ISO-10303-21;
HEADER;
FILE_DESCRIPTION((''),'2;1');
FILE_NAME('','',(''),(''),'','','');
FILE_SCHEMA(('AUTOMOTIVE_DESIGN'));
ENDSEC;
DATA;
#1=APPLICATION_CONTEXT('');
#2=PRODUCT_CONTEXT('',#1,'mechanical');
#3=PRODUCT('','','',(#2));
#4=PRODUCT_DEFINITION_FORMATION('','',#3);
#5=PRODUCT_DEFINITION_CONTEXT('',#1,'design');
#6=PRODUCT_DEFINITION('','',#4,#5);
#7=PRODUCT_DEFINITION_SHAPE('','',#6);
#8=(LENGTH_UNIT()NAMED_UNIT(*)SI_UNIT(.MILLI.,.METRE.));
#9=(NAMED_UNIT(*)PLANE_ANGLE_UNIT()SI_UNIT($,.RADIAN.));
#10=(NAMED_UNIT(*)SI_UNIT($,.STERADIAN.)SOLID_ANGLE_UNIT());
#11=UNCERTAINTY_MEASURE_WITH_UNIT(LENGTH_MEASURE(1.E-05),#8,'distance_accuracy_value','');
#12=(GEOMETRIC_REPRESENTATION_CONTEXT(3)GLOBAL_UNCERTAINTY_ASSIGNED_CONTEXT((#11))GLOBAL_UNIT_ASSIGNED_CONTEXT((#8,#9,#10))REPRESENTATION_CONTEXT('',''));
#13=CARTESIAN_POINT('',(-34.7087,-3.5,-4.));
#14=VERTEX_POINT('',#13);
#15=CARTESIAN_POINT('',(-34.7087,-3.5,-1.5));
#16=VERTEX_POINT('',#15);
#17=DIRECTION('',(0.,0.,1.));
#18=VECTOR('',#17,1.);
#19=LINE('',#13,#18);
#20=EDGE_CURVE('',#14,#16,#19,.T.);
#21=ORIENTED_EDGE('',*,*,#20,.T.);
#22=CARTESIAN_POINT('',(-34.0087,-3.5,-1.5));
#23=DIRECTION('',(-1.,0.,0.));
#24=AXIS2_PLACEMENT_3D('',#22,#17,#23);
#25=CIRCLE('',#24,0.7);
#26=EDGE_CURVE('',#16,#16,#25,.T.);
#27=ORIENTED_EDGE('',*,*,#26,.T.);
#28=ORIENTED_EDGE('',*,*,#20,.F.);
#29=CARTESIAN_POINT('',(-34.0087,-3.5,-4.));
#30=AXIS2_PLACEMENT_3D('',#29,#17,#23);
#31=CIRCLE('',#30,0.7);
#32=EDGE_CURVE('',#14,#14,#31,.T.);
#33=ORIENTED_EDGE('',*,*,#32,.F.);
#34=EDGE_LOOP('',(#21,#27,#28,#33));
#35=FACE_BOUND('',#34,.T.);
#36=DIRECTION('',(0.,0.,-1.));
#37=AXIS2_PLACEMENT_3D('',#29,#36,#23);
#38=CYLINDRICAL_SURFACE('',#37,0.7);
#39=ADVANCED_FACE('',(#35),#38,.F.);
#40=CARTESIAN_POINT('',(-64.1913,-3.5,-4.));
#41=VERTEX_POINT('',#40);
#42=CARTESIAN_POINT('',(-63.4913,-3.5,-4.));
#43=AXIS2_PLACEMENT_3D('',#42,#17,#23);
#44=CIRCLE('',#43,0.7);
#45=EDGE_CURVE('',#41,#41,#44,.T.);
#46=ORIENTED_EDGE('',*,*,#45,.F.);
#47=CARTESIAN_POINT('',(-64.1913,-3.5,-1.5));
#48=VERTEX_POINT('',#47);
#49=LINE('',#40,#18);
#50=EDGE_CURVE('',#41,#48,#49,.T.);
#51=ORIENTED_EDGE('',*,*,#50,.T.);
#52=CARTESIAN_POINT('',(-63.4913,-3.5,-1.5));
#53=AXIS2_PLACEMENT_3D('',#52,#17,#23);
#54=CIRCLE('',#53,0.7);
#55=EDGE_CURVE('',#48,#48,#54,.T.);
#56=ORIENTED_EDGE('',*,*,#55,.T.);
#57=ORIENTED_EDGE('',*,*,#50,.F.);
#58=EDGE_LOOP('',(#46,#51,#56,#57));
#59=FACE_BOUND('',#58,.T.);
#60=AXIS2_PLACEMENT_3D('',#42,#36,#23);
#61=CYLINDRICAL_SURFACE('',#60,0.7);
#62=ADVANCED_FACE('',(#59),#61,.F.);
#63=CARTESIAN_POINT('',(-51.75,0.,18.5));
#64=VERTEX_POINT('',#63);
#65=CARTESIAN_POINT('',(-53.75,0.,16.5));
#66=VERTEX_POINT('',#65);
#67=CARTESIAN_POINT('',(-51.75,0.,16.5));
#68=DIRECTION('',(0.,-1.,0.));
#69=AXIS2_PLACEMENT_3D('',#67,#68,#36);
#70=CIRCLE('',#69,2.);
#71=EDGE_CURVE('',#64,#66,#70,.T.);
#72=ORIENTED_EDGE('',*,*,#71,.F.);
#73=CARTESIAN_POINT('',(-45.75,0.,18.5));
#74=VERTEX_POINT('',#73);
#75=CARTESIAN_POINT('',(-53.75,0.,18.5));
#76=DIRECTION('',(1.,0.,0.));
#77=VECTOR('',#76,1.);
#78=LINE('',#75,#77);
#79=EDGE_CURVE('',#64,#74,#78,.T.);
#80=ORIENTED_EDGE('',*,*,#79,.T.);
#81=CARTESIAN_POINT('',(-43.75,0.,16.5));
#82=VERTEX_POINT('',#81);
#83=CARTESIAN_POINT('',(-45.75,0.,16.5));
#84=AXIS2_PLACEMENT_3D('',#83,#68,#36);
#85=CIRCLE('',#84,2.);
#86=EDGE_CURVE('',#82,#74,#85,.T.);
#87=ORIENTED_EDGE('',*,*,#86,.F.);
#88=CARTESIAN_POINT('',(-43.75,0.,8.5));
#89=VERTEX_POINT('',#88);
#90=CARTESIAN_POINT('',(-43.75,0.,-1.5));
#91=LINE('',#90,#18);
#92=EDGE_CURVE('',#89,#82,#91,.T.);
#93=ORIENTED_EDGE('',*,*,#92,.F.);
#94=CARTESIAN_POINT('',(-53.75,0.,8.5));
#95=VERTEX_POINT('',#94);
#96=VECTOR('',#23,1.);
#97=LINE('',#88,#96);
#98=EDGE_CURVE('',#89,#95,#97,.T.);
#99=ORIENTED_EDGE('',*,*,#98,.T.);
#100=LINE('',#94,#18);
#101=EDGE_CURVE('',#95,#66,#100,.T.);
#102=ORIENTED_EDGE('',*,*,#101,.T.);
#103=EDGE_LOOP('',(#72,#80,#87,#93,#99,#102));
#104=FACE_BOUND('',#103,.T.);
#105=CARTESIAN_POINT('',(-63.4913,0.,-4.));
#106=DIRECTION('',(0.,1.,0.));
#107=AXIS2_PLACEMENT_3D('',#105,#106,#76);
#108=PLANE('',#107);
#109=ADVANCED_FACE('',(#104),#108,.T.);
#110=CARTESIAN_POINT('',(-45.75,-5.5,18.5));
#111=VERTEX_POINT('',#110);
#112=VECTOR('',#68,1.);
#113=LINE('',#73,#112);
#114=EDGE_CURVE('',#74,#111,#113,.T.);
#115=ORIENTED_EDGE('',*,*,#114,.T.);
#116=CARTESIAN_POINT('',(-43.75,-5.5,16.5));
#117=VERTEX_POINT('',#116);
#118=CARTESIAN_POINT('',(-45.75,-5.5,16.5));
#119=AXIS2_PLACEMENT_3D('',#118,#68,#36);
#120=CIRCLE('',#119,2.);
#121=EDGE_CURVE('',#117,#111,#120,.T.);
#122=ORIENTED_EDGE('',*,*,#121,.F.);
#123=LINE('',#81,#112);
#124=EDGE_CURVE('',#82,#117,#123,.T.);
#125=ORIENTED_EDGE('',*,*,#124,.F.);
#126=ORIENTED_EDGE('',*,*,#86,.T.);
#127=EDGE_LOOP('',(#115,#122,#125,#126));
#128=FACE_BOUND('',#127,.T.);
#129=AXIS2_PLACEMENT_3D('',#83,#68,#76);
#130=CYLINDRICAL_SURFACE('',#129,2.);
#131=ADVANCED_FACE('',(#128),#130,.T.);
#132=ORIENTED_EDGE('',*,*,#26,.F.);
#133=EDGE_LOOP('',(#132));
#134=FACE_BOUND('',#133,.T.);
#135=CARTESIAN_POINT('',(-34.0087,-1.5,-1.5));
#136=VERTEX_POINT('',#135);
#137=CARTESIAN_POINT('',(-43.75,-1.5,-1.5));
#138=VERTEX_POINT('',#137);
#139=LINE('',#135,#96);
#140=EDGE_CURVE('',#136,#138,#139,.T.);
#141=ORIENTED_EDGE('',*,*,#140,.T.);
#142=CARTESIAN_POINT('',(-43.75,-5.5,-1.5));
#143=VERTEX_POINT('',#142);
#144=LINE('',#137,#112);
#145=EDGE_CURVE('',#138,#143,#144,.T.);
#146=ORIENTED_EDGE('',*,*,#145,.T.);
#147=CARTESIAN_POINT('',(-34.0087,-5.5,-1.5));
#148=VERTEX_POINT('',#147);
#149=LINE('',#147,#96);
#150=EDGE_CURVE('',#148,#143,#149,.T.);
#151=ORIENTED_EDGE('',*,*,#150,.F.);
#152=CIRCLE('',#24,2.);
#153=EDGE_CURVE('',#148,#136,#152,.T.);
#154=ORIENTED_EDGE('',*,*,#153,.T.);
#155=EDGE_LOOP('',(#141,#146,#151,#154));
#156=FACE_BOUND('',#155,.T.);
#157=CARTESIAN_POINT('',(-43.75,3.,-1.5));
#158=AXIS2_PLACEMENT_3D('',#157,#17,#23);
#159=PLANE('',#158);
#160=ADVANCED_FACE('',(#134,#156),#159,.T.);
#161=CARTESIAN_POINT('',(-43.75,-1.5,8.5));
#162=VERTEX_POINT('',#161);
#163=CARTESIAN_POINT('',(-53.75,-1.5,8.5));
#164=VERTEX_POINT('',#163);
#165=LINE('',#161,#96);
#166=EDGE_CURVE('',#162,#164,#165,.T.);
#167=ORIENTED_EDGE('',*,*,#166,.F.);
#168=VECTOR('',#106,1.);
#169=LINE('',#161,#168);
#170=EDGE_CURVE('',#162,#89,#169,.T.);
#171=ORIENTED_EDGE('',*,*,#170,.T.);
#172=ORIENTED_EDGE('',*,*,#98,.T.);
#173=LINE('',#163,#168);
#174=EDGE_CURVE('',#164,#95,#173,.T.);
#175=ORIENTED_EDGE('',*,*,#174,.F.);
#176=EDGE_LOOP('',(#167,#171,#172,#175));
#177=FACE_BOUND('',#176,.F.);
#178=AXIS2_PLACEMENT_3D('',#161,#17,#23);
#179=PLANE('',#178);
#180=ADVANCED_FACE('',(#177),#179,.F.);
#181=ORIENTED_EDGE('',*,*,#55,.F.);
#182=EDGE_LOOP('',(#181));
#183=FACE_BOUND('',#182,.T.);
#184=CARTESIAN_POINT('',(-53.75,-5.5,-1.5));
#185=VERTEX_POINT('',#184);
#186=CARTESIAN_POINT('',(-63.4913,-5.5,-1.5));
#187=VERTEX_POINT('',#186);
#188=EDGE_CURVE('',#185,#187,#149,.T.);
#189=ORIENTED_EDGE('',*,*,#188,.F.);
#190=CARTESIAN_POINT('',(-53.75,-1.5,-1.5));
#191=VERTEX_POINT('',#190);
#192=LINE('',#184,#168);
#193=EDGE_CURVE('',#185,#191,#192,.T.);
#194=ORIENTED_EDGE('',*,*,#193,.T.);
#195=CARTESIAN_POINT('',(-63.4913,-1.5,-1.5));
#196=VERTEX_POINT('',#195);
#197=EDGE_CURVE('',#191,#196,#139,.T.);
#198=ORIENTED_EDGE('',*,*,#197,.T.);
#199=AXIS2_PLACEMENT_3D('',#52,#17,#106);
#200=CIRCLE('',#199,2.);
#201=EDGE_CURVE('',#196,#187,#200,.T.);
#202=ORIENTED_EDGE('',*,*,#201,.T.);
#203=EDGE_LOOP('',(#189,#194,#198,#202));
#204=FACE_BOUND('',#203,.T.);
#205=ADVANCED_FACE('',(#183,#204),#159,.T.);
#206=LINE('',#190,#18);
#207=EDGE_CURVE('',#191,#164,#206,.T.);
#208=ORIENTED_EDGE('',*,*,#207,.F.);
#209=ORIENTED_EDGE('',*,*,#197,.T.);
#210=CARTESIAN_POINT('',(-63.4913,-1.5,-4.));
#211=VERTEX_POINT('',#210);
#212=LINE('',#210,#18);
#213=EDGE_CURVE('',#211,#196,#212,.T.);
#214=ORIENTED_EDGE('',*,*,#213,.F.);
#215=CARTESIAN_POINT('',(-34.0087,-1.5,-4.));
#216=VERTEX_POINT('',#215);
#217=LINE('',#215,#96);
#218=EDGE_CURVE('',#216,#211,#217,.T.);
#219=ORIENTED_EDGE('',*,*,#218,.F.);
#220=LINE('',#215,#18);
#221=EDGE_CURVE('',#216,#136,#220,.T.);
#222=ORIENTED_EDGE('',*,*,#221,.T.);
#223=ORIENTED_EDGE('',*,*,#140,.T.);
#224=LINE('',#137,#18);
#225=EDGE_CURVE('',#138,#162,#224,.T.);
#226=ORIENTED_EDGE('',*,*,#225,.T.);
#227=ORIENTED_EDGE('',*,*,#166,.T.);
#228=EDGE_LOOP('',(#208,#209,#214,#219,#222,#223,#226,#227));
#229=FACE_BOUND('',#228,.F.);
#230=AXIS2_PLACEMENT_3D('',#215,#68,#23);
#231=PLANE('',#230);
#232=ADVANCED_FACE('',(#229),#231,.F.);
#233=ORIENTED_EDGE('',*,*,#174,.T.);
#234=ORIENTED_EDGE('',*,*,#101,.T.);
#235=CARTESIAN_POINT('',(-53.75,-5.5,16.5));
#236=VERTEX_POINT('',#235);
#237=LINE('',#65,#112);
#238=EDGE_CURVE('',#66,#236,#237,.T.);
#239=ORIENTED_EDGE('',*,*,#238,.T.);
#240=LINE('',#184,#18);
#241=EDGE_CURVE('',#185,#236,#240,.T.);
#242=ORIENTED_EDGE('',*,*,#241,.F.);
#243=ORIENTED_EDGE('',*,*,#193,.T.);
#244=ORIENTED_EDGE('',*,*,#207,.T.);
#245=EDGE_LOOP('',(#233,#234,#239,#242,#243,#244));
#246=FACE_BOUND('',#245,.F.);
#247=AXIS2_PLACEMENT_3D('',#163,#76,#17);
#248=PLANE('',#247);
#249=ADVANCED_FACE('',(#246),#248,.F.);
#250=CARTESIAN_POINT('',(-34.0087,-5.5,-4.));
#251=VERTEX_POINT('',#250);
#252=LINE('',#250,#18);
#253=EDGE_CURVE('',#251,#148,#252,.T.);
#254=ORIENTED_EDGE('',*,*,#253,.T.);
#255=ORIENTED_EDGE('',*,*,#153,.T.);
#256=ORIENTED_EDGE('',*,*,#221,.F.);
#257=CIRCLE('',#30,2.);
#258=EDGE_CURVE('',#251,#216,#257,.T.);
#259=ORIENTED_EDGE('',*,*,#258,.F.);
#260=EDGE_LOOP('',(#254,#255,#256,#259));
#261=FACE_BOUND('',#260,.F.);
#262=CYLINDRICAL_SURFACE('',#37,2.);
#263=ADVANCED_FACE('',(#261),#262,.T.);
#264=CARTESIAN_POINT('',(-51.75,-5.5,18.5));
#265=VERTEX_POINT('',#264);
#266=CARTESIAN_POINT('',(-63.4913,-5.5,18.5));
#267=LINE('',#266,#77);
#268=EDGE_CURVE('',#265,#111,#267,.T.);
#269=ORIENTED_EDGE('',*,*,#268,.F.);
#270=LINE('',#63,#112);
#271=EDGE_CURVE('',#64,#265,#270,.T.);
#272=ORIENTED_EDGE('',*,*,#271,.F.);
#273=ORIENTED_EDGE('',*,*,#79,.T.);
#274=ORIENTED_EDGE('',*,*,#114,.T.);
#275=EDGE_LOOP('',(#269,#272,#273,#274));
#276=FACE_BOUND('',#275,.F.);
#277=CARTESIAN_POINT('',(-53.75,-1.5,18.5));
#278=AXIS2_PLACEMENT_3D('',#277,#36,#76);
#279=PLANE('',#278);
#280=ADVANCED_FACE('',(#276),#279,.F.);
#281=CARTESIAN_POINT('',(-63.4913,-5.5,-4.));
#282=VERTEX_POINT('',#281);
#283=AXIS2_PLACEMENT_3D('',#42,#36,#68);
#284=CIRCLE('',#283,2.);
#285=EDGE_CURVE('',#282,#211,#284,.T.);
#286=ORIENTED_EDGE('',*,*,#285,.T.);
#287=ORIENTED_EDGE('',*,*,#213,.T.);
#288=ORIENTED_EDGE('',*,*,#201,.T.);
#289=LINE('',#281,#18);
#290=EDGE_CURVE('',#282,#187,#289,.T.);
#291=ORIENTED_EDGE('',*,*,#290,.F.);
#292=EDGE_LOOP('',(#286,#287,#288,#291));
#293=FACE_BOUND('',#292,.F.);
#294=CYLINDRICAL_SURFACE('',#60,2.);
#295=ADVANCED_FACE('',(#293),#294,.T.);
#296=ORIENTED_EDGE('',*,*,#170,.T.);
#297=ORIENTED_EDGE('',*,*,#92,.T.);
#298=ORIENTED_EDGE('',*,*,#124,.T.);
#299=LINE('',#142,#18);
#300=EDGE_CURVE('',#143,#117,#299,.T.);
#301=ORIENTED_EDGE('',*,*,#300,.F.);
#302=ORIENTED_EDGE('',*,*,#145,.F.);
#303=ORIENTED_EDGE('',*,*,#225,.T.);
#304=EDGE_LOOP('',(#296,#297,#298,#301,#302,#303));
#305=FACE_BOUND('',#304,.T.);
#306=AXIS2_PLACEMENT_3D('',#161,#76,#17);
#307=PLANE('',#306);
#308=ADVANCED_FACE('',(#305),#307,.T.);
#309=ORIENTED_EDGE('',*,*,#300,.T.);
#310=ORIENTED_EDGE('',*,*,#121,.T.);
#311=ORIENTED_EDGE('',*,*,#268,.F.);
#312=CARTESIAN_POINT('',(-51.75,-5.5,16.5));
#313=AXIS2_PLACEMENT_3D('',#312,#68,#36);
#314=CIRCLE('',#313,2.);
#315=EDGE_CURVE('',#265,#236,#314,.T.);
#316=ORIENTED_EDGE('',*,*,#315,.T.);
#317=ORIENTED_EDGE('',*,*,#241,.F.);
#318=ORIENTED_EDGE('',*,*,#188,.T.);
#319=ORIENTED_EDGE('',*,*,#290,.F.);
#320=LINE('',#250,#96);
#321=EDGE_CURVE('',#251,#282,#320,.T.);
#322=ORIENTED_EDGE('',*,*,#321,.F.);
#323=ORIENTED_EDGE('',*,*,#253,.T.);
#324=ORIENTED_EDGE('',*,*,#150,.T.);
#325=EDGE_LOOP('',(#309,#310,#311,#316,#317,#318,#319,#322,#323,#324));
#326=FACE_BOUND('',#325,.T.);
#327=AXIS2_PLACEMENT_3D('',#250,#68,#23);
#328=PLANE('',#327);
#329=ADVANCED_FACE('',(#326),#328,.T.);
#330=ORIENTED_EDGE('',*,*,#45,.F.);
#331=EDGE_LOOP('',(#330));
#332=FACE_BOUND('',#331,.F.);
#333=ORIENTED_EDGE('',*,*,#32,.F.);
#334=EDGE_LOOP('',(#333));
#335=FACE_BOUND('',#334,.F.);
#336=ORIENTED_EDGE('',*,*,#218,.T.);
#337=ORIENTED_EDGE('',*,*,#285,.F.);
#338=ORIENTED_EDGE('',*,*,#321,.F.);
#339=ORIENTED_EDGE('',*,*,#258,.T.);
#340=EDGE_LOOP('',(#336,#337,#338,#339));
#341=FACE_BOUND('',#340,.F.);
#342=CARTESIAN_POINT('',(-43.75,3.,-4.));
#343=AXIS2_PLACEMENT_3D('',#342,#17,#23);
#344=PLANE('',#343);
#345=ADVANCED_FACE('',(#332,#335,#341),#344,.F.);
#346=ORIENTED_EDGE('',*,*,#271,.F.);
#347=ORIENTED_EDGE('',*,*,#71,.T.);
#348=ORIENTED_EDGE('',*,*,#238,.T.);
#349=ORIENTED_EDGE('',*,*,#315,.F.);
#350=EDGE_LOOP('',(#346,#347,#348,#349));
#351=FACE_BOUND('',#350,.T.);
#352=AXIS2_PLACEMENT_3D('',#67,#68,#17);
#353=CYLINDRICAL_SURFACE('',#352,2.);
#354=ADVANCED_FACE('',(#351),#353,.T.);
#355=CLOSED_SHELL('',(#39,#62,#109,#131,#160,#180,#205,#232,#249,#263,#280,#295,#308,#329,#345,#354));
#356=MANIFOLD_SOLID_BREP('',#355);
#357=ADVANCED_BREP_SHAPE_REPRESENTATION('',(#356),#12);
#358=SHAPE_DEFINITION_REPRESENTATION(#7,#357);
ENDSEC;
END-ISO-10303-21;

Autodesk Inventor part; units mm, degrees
ref_plane "YZ Plane" through (0, 0, 0) normal (1, 0, 0) x (0, 1, 0)
ref_plane "XZ Plane" through (0, 0, 0) normal (0, 1, 0) x (-1, 0, 0)
ref_plane "Work Plane1" through (-43.75, 3, -4) normal (0, 0, 1) x (-1, 0, 0)
sketch "Sketch1" plane through (-43.75, 3, -4) normal (0, 0, 1) x (-1, 0, 0)
  circle A0 centre (-9.7413, 6.5) radius 0.7 projected
  circle A1 centre (19.7413, 6.5) radius 0.7 projected
  circle A2 centre (-9.7413, 6.5) radius 2
  circle A3 centre (19.7413, 6.5) radius 2
  line L0 (-9.7413, 8.5) -> (19.7413, 8.5)
  line L1 (-9.7413, 4.5) -> (19.7413, 4.5)
  point P0 (-43.75, 3)
  dimension "d0" = 4
  dimension "d1" = 4
extrude "Extrusion1" add sketch "Sketch1" along normal blind 2.5
sketch "Sketch2" plane through (-43.75, 3, -1.5) normal (0, 0, 1) x (1, 0, 0)
  line L0 (9.7413, -4.5) -> (-19.7413, -4.5) projected
  line L1 (-19.7413, -8.5) -> (9.7413, -8.5) projected
  line L2 (-10, -4.5) -> (0, -4.5)
  line L3 (0, -4.5) -> (0, -8.5)
  line L4 (0, -8.5) -> (-10, -8.5)
  line L5 (-10, -8.5) -> (-10, -4.5)
  circle A0 centre (-5, -6.5) radius 1.25 projected
  point P0 (43.75, -3)
  dimension "d4" = 10
  dimension "d6" = 5
extrude "Extrusion2" add sketch "Sketch2" along normal blind 20 contours L3 L1 L5 L0 | A0
sketch "Sketch3" plane through (-63.4913, -1.5, -4) normal (0, 1, 0) x (1, 0, 0)
  line L0 (19.7413, -2.5) -> (19.7413, -22.5) projected
  line L1 (9.7413, -22.5) -> (19.7413, -22.5)
  line L2 (19.7413, -22.5) -> (19.7413, -12.5)
  line L3 (19.7413, -12.5) -> (9.7413, -12.5)
  line L4 (9.7413, -12.5) -> (9.7413, -22.5)
  point P0 (63.4913, -4)
extrude "Extrusion3" add sketch "Sketch3" along normal blind 1.5
fillet "Fillet1" radius 2 2 edges at (-53.75, -2.75, 18.5) (-43.75, -2.75, 18.5)
properties part number "HornBase"
